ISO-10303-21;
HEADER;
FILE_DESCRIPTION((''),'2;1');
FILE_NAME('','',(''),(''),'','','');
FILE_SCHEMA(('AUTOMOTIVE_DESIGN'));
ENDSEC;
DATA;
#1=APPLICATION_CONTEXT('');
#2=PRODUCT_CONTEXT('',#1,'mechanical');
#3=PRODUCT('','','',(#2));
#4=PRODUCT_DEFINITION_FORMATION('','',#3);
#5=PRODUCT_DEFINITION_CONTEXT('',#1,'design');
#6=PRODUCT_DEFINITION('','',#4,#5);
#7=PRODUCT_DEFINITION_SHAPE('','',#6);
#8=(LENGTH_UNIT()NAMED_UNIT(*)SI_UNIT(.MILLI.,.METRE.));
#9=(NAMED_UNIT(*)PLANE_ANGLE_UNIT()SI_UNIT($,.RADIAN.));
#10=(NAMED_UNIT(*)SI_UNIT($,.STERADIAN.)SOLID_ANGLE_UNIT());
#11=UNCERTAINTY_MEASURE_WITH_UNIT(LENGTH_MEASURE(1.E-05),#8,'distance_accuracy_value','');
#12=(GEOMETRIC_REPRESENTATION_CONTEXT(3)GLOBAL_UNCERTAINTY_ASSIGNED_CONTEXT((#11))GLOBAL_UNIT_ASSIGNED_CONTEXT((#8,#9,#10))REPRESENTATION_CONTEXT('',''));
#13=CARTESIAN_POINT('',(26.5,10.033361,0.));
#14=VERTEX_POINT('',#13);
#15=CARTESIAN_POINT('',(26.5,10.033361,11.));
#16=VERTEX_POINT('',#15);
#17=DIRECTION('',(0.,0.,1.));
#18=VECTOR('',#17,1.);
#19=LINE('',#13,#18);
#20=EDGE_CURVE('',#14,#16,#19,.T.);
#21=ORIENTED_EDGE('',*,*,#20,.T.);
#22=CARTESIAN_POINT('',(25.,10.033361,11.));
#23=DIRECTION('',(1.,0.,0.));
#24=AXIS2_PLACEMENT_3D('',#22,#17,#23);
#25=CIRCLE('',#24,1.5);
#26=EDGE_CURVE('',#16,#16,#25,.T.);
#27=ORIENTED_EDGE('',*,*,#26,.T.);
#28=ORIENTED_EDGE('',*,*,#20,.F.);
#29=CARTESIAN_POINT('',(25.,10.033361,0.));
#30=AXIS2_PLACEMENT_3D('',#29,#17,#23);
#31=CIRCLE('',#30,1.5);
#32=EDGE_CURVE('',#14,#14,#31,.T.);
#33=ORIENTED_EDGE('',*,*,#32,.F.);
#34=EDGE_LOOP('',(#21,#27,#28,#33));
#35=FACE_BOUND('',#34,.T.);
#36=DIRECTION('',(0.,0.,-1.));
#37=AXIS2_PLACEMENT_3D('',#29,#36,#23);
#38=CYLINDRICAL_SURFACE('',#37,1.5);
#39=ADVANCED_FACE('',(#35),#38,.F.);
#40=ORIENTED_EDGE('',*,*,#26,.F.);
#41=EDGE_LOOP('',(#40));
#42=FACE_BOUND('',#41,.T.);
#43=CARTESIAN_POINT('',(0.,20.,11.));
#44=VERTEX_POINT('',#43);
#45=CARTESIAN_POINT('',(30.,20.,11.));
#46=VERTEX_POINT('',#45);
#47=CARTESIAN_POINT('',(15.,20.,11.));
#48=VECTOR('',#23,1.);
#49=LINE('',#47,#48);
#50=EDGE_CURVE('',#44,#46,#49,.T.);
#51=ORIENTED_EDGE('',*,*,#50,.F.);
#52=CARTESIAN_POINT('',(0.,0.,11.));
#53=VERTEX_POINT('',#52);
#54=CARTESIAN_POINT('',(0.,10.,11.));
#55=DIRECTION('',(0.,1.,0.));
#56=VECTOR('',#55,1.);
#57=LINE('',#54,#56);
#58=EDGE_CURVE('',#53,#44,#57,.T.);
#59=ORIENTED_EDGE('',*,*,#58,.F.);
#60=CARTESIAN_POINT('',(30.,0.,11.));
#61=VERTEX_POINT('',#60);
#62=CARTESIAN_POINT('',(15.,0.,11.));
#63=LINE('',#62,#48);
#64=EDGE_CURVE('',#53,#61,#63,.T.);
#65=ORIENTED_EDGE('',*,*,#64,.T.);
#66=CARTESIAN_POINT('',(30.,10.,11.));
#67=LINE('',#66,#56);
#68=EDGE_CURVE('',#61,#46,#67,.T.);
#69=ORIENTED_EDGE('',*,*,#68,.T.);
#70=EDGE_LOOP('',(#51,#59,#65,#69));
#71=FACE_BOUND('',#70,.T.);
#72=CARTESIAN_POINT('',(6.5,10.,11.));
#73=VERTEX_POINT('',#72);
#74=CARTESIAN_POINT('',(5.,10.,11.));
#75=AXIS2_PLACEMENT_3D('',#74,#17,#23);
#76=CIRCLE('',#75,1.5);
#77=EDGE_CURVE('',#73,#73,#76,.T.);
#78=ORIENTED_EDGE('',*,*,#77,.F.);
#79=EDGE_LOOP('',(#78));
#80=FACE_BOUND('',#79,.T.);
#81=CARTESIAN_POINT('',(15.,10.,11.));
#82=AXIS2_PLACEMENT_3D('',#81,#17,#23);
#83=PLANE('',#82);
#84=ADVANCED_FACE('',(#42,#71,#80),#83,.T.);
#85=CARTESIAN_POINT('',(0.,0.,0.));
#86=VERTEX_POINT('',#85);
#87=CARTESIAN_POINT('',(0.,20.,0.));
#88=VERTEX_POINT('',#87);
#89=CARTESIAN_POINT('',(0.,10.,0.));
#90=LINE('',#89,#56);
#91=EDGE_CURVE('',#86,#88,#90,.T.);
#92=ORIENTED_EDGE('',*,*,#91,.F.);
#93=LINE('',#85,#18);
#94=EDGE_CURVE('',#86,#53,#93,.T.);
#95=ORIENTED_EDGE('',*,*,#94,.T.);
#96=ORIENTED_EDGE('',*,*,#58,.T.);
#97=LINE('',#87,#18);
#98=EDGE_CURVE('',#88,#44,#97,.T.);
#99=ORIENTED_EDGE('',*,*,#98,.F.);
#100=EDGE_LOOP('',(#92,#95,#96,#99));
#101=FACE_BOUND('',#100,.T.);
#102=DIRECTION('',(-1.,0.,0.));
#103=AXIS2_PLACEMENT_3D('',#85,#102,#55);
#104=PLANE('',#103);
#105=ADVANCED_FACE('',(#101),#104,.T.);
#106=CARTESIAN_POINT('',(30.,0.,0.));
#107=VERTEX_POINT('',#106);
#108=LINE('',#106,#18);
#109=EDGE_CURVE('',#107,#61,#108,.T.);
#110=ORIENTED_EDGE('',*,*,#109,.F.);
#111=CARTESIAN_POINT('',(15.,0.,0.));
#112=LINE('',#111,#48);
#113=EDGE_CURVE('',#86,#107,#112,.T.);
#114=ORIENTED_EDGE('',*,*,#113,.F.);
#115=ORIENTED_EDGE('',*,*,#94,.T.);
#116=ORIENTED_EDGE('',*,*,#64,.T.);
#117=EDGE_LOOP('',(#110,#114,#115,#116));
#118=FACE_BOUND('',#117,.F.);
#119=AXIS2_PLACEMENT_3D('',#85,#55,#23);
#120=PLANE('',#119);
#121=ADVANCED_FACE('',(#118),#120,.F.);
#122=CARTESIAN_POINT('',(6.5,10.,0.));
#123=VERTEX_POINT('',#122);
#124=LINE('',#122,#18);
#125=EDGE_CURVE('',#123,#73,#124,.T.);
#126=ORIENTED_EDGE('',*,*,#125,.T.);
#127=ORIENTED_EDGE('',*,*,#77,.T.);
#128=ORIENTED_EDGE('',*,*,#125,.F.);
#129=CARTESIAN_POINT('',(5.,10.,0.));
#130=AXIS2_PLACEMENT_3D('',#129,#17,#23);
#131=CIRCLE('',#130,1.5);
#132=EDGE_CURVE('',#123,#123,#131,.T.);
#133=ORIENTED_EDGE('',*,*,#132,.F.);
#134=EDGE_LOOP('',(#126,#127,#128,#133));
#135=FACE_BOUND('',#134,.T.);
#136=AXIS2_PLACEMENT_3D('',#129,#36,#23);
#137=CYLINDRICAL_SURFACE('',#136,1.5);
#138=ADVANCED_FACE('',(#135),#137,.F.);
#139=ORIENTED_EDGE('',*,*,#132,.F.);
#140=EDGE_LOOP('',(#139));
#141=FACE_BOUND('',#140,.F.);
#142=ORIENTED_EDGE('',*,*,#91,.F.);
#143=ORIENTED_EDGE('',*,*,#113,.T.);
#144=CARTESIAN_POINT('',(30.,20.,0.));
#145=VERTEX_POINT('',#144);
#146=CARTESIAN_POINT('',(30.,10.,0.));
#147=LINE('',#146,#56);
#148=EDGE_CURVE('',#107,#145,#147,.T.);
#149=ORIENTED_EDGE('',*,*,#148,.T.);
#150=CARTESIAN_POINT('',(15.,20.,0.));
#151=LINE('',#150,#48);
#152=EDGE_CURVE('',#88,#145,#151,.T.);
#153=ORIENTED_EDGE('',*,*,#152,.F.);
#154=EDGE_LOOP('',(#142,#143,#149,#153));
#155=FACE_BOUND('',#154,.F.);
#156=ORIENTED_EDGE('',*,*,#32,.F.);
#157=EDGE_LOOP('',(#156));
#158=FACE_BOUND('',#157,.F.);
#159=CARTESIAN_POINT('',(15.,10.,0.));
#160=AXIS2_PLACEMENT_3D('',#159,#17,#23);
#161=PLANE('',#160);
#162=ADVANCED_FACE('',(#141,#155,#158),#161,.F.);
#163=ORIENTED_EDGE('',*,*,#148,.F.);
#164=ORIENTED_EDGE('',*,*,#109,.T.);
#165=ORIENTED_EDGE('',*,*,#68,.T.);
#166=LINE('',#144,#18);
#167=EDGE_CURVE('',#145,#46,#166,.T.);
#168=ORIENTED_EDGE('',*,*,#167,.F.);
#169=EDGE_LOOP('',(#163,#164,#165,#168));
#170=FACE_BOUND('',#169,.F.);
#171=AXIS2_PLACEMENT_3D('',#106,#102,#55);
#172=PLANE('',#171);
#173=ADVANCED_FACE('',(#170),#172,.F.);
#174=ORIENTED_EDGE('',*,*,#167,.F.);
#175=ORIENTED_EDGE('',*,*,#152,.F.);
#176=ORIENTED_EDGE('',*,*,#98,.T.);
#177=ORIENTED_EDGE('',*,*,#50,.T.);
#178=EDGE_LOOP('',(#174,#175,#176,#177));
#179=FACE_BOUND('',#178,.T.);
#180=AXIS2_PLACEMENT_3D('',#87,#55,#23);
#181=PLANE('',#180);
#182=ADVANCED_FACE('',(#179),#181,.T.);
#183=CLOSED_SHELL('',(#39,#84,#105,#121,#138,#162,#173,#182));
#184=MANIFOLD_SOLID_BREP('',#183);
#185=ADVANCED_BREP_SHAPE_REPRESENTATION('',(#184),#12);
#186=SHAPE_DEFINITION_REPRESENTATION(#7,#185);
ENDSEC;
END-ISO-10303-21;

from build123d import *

# Parameters (mm, degrees)
SKETCH_W  = 30
SKETCH_H  = 20
SKETCH_R  = 1.5
PAD_DEPTH = 11


with BuildPart() as part:
    # Sketch → Pad (new body)
    with BuildSketch(Plane.XY):
        with Locations((15, 10)):
            Rectangle(SKETCH_W, SKETCH_H)
        with Locations((5, 10)):
            Circle(SKETCH_R, mode=Mode.SUBTRACT)
        with Locations((25, 10.033361)):
            Circle(SKETCH_R, mode=Mode.SUBTRACT)
    extrude(amount=PAD_DEPTH)


solid = part.part
